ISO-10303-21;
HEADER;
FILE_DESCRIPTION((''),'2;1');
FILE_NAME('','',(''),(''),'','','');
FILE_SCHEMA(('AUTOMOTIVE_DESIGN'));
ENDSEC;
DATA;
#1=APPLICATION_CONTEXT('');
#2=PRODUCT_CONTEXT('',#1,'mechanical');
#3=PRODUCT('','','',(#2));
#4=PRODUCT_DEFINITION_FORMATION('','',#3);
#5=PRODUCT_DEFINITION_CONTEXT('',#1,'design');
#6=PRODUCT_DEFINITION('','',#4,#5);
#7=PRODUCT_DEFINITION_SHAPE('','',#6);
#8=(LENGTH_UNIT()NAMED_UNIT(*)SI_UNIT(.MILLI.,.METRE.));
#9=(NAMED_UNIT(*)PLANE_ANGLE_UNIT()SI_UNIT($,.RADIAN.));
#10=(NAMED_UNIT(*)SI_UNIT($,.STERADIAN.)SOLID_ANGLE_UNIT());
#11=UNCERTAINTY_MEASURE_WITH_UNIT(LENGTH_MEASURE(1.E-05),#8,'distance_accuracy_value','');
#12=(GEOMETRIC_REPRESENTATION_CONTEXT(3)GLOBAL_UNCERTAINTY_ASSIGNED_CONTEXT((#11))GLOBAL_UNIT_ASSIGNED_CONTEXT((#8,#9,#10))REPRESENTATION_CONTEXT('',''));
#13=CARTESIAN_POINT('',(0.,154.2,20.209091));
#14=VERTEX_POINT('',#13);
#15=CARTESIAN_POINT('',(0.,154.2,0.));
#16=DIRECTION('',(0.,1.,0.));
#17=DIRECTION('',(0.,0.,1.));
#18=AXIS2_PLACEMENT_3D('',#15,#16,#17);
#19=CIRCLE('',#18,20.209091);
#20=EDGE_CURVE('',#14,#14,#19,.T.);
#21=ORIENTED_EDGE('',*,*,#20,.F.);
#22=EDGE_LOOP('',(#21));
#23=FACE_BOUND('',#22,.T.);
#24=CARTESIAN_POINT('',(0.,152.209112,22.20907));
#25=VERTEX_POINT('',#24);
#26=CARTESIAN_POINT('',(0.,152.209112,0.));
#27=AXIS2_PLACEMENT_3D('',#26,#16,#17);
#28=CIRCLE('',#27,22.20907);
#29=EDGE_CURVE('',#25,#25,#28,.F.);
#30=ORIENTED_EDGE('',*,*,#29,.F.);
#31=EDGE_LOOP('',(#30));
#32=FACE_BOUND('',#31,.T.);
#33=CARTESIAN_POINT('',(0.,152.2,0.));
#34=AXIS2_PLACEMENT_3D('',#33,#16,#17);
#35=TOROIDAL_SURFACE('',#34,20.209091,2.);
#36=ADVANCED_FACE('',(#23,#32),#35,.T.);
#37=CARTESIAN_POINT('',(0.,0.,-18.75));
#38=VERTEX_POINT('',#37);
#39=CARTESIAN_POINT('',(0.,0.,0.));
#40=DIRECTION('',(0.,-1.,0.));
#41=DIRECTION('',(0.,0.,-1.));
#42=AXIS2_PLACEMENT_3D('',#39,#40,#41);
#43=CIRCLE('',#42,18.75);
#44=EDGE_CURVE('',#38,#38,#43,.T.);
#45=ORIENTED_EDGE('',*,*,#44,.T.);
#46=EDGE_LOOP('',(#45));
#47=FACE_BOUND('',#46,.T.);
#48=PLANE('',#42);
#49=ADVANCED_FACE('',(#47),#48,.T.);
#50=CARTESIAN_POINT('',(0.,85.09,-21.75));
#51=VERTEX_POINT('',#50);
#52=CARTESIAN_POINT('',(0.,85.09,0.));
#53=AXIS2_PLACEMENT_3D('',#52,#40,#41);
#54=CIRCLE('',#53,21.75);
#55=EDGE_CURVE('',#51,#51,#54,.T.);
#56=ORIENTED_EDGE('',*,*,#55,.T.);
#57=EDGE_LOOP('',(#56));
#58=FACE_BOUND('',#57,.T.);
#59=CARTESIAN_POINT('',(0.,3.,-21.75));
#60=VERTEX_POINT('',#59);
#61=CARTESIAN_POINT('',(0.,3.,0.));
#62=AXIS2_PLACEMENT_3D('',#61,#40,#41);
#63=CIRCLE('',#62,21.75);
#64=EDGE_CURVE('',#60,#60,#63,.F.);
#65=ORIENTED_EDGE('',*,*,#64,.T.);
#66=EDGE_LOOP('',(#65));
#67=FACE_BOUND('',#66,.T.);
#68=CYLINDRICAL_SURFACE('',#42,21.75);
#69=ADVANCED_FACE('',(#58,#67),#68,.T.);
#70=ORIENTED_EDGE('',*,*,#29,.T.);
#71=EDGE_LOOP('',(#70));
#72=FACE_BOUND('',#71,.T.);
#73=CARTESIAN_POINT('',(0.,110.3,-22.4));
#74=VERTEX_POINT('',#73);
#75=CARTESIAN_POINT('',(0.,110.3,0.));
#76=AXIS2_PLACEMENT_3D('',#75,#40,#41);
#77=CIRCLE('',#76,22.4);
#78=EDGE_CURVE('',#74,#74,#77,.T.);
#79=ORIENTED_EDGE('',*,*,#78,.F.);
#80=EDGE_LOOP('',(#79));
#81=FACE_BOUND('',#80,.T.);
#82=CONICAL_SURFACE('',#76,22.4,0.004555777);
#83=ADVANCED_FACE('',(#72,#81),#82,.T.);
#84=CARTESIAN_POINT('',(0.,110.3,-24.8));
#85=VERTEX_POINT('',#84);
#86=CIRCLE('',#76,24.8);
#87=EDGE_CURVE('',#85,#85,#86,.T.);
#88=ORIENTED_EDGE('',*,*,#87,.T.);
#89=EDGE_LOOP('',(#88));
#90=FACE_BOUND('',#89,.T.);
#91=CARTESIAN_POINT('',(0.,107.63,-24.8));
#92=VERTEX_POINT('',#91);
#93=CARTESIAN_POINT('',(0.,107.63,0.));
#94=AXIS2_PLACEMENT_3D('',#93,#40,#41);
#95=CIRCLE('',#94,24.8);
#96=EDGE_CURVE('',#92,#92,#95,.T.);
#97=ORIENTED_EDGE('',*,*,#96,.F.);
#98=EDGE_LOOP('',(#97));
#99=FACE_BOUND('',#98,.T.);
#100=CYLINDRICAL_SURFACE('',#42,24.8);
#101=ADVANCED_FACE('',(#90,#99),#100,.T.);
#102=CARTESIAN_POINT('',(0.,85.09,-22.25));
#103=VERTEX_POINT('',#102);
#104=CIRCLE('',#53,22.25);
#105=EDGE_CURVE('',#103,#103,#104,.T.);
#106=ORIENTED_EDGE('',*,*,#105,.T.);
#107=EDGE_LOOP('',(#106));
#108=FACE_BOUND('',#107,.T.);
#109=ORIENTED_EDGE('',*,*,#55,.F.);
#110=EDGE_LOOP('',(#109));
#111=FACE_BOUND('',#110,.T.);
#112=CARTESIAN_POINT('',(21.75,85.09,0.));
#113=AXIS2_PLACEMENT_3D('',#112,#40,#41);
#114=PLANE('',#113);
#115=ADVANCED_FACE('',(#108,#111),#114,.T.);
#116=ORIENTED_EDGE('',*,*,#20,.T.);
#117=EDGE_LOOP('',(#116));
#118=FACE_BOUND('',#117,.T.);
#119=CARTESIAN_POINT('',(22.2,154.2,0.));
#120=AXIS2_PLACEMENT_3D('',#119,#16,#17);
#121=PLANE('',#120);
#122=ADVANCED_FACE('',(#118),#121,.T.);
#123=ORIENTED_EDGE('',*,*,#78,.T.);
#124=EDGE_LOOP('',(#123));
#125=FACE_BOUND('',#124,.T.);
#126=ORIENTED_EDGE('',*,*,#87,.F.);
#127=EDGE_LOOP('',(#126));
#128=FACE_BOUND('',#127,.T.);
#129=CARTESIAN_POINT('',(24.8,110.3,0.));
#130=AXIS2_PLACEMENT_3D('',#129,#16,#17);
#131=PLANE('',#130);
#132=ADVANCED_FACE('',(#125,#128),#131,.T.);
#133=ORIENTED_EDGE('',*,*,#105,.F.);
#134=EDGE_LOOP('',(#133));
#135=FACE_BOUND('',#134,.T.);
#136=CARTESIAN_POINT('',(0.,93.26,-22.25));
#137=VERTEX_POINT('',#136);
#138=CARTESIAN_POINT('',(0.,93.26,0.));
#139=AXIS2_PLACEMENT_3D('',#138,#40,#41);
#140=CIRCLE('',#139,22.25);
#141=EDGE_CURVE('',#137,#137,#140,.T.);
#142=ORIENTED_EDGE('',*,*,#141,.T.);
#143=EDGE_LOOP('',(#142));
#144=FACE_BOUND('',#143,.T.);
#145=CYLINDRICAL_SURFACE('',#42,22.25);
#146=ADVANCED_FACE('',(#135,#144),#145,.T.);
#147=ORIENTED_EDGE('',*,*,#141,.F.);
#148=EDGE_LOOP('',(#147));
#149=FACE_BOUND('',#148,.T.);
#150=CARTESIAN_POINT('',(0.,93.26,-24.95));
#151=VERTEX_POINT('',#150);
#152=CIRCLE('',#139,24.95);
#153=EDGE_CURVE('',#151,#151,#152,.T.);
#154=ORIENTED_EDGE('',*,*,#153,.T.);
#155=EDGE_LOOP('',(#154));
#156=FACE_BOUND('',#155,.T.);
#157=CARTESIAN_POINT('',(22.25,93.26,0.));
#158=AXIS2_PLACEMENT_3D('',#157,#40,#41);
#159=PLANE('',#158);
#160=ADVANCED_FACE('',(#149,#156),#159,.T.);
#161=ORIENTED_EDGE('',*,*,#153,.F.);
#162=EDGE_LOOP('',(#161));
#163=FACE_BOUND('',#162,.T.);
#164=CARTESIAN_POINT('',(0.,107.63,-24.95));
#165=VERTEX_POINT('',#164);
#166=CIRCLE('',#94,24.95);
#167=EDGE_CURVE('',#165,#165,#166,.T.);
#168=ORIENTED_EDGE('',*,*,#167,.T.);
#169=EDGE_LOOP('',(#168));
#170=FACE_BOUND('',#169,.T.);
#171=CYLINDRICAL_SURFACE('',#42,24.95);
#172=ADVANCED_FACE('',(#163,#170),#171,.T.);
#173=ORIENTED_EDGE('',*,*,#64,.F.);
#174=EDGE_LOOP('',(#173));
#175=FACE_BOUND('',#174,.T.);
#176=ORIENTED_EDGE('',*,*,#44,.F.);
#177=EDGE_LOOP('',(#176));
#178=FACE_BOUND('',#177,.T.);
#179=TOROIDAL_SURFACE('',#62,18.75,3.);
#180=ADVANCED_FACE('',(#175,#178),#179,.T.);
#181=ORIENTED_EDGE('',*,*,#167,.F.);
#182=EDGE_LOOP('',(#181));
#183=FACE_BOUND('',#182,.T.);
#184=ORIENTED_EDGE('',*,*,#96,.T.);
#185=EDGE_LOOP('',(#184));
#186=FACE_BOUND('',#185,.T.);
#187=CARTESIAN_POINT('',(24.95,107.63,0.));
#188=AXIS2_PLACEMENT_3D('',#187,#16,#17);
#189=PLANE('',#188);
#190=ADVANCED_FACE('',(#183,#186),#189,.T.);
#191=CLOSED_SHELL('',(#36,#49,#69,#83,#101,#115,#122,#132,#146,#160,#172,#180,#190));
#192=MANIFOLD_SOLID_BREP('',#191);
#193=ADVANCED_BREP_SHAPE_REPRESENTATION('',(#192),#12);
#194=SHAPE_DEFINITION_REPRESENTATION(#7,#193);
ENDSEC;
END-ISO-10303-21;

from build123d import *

# Parameters (mm, degrees)
FILLET1_R = 2
FILLET2_R = 3


with BuildPart() as part:
    # Sketch1 → Revolve1 (revolve)
    with BuildSketch(Plane.XY, mode=Mode.PRIVATE) as revolve1_sk:
        Polygon((0, 0), (0, 154.2), (22.2, 154.2), (22.4, 110.3), (24.8, 110.3), (24.8, 107.63), (24.95, 107.63), (24.95, 93.26), (22.25, 93.26), (22.25, 85.09), (21.75, 85.09), (21.75, 0), align=None)
    revolve(revolve1_sk.sketch.rotate(Axis((0, 0, 0), (0, 1, 0)), 90), axis=Axis((0, 0, 0), (0, 1, 0)))

    # Fillet1
    fillet1_edges = [part.edges().sort_by_distance(p)[0] for p in [
        (0, 154.2, 22.2),
    ]]
    fillet(fillet1_edges, radius=FILLET1_R)

    # Fillet2
    fillet2_edges = [part.edges().sort_by_distance(p)[0] for p in [
        (0, 0, 21.75),
    ]]
    fillet(fillet2_edges, radius=FILLET2_R)


solid = part.part
